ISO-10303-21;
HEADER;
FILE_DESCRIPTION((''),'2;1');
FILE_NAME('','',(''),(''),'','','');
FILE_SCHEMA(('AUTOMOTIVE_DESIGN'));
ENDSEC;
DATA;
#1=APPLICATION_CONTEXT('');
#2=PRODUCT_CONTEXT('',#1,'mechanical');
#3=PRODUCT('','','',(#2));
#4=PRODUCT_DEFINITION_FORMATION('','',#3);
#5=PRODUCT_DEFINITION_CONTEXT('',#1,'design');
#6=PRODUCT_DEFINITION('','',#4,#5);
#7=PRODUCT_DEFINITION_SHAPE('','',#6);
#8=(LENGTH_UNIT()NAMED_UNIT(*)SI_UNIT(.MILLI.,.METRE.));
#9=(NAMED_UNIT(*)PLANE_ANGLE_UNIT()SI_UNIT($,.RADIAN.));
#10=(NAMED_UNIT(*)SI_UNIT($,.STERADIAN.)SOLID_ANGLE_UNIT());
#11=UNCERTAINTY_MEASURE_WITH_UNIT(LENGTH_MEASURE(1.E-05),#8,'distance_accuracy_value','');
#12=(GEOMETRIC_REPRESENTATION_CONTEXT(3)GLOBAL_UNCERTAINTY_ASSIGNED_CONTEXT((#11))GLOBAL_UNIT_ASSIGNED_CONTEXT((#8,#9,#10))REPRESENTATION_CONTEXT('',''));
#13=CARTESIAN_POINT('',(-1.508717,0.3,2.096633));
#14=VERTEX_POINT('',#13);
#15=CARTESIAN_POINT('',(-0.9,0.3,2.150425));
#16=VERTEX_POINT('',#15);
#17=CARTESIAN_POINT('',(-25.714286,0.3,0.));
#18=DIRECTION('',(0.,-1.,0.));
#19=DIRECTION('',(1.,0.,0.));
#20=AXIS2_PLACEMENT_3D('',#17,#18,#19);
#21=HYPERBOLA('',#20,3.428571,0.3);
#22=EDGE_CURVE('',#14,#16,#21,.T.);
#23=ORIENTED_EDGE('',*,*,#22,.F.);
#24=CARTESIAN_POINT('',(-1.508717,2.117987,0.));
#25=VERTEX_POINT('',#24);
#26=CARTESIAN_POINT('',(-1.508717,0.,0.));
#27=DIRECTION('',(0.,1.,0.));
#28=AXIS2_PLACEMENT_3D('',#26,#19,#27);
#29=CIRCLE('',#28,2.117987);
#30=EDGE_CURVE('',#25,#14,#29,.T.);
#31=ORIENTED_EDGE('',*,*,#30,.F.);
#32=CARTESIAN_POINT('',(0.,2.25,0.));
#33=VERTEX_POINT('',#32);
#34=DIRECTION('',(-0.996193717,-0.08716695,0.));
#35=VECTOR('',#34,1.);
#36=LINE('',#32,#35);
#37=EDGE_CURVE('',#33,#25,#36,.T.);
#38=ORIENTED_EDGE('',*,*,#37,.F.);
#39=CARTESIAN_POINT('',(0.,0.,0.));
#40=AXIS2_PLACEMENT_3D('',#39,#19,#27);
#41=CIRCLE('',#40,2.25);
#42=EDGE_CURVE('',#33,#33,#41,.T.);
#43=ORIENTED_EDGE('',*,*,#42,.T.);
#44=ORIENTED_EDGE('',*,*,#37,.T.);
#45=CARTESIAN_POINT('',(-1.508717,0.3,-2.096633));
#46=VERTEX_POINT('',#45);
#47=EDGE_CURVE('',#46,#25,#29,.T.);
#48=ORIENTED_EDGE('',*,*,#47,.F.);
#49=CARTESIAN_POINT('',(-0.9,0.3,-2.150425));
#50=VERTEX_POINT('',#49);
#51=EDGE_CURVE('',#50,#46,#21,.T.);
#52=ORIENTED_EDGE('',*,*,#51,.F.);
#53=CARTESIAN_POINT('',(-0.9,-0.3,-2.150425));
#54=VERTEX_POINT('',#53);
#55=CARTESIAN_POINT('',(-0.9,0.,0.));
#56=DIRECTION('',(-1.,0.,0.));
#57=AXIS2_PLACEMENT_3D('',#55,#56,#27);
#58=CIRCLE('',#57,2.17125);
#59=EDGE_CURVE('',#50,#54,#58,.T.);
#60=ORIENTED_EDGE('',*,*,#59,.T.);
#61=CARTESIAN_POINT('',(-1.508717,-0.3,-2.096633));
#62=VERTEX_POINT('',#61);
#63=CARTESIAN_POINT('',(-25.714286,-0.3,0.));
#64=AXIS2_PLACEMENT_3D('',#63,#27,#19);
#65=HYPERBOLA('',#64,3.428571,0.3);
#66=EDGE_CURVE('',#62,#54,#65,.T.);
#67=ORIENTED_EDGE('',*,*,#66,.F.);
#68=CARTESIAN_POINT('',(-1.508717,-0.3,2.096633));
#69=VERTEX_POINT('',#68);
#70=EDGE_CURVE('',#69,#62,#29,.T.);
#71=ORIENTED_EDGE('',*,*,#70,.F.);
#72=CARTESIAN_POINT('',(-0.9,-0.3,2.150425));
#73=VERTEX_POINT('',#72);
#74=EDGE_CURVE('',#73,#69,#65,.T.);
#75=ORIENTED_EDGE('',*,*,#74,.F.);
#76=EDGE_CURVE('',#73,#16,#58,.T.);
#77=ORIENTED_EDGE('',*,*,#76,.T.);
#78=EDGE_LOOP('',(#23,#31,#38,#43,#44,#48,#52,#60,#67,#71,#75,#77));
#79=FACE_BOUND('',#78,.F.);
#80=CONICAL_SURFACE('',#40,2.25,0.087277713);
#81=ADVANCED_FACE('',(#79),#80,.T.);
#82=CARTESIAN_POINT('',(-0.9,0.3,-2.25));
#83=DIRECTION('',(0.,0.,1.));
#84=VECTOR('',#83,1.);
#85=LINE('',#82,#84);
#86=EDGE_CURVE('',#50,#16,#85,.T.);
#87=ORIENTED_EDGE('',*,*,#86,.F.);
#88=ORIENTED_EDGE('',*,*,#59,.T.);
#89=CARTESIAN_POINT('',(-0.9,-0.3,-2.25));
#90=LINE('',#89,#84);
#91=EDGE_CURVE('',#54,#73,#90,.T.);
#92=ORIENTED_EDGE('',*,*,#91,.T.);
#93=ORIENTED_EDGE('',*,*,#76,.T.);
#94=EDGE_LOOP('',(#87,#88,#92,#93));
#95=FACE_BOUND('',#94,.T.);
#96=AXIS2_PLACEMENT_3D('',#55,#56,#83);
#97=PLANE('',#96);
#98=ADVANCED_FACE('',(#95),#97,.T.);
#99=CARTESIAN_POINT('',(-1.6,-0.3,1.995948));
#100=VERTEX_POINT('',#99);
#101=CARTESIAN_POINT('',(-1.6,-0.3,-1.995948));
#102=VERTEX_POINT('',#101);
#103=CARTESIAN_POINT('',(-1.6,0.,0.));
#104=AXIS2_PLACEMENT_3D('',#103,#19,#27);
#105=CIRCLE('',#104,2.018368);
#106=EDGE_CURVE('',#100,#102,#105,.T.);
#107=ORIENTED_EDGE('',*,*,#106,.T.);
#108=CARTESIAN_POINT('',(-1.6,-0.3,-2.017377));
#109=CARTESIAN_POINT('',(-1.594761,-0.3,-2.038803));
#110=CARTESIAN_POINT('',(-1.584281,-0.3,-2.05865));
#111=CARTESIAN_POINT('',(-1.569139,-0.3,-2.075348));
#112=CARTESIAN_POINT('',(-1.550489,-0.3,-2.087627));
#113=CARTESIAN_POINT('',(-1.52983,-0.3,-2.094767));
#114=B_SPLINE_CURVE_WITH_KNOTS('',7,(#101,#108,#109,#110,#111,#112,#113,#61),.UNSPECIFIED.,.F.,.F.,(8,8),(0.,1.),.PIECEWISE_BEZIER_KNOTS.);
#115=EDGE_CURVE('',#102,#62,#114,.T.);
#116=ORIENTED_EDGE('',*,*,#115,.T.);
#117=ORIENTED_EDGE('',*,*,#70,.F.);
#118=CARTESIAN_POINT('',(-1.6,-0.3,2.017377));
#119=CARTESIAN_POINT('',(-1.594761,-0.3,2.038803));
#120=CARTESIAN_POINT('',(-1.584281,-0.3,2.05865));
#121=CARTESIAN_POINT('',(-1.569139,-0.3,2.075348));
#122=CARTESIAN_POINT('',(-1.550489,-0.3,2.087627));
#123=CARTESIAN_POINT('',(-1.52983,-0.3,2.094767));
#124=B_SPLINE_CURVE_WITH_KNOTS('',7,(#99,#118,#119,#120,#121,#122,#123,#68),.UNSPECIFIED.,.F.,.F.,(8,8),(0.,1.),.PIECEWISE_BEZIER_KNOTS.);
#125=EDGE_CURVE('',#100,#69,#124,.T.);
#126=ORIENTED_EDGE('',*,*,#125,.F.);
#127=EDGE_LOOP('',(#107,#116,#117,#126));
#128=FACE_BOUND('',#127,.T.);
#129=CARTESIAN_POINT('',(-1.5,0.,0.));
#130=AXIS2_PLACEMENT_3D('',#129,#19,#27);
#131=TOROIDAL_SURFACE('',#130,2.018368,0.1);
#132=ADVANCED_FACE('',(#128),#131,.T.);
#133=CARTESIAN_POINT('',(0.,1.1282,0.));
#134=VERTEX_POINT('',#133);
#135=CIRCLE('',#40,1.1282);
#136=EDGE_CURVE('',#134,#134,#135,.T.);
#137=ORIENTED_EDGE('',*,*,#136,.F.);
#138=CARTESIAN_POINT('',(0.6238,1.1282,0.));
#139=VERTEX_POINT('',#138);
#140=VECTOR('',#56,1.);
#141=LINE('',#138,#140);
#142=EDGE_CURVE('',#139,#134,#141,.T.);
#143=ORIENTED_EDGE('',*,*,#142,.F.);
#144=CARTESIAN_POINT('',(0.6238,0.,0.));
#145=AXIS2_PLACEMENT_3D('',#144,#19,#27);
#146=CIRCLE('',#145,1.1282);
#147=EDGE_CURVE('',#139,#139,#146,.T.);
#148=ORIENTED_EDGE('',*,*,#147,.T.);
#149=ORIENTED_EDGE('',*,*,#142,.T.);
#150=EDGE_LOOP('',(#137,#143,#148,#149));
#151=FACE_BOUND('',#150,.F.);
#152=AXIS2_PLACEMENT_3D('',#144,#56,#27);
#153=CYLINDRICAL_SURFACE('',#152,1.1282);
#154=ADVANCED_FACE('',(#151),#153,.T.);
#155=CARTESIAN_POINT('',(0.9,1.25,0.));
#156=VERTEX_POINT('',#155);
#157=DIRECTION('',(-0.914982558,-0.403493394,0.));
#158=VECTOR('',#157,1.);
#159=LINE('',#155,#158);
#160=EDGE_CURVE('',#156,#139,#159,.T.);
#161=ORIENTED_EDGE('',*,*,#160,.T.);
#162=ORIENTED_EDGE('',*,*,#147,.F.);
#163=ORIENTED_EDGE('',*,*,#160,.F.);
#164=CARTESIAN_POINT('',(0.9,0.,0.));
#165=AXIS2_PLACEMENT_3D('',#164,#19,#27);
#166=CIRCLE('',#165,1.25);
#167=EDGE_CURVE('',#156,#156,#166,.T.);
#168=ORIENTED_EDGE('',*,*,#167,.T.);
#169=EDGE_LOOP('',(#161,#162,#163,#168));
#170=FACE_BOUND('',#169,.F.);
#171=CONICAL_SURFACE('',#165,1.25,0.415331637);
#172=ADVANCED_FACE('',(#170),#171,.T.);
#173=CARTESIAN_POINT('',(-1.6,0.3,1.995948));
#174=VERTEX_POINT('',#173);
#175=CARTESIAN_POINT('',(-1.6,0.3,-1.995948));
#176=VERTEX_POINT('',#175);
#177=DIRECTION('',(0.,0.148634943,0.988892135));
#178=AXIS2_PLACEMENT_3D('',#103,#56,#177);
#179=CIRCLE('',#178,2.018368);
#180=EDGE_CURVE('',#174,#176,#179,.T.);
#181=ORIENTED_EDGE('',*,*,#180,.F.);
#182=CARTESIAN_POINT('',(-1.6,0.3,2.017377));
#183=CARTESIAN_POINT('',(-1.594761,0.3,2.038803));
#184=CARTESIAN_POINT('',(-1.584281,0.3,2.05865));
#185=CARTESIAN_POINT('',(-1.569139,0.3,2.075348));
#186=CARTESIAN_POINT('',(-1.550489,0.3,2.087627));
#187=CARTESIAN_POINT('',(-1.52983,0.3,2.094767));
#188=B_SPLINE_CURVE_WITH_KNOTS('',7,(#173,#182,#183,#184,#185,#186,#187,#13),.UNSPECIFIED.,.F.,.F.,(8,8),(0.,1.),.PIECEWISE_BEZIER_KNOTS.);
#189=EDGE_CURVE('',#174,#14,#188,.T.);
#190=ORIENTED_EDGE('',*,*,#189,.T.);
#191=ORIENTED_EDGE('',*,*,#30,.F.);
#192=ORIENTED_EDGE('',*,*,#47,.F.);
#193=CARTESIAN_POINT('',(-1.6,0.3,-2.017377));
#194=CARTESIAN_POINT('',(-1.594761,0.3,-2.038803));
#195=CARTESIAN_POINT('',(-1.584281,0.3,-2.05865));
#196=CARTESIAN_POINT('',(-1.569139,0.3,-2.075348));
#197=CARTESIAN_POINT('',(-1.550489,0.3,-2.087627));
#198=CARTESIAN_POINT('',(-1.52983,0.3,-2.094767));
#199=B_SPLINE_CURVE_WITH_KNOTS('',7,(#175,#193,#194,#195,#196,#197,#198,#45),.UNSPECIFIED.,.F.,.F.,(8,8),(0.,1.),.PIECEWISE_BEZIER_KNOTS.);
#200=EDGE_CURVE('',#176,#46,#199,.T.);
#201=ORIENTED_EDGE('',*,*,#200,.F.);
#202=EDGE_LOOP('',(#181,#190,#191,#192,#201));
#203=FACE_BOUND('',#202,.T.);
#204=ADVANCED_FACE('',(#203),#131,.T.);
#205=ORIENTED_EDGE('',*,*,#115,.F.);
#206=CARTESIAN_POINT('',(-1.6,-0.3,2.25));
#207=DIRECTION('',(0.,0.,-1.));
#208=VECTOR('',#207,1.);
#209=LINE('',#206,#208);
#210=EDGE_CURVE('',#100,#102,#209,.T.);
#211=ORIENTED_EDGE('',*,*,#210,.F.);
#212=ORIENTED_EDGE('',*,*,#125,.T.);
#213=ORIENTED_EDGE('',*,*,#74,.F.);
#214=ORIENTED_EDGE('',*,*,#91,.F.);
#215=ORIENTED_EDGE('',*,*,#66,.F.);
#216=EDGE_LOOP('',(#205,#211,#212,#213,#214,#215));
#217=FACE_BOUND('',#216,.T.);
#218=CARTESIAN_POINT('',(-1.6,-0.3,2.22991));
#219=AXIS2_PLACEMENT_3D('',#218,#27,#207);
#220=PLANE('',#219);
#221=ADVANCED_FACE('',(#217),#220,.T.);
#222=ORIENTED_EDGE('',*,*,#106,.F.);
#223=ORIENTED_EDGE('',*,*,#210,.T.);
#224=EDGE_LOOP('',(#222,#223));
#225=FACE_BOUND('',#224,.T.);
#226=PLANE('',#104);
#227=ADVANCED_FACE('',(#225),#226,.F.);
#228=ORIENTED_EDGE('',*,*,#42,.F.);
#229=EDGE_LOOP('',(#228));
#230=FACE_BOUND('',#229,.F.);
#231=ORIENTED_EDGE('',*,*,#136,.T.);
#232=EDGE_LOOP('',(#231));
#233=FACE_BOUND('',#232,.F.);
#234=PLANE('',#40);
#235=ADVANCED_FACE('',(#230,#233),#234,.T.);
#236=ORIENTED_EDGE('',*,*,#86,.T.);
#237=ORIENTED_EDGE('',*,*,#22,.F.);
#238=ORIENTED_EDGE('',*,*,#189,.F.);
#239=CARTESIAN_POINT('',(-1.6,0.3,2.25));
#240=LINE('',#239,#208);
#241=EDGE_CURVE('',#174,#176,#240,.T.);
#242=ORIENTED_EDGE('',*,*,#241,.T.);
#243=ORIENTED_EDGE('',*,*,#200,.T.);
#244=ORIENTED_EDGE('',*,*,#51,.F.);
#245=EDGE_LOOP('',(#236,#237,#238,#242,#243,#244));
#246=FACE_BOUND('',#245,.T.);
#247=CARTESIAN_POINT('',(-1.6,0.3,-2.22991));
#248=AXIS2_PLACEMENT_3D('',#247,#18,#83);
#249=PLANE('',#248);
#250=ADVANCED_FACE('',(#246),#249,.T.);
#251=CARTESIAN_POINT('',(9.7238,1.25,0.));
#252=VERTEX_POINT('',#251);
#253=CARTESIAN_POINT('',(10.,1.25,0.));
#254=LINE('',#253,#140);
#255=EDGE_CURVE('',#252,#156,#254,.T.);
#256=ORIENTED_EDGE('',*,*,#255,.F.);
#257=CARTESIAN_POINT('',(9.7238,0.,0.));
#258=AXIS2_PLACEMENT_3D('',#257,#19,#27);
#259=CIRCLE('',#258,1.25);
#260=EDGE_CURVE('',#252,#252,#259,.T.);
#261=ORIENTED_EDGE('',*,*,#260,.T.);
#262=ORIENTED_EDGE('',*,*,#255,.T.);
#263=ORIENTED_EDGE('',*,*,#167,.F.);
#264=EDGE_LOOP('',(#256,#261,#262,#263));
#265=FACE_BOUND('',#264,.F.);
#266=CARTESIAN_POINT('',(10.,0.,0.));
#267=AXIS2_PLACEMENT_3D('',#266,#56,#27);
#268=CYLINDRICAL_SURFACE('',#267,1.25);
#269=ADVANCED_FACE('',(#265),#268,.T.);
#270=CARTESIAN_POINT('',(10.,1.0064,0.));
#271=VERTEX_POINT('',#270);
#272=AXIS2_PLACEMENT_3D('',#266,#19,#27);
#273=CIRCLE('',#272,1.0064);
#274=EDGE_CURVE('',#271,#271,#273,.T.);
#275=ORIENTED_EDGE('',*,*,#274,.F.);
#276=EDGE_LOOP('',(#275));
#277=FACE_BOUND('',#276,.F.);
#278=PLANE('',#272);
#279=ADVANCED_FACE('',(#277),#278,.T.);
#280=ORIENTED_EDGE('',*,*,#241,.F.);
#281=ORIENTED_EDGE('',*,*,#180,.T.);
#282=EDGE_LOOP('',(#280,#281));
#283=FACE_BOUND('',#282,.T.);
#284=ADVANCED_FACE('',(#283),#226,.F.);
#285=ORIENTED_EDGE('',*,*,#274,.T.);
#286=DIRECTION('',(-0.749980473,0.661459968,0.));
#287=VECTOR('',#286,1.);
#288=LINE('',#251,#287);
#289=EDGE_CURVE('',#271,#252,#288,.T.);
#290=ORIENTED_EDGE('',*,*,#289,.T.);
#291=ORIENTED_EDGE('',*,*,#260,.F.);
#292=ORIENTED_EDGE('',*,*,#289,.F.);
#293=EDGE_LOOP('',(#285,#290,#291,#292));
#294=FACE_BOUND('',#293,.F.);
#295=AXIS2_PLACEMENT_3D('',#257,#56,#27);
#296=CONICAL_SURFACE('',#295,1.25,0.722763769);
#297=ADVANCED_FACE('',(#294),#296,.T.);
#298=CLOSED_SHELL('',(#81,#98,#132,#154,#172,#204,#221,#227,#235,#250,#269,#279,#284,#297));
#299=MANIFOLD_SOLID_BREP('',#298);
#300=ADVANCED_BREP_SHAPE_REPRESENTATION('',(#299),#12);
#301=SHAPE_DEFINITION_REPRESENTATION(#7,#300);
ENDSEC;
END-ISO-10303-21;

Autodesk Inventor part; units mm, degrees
ref_plane "YZ Plane" through (0, 0, 0) normal (1, 0, 0) x (0, 1, 0)
ref_plane "XZ Plane" through (0, 0, 0) normal (0, 1, 0) x (-1, 0, 0)
sketch "Sketch1" plane through (0, 0, 0) normal (0, 0, 1) x (1, 0, 0)
  line L0 (-1.6, 0) -> (10, 0)
  line L1 (10, 0) -> (10, 1.25)
  line L2 (10, 1.25) -> (0.9, 1.25)
  line L3 (0.9, 1.25) -> (0.6238, 1.1282)
  line L4 (0.6238, 1.1282) -> (0, 1.1282)
  line L5 (0, 1.1282) -> (0, 2.25)
  line L6 (-3.92, 0) -> (12.32, 0) projected
  line L7 (0, -0.45) -> (0, 2.7) projected
  line L8 (-1.6, 0) -> (-1.6, 2.11)
  line L9 (0, 2.25) -> (-1.6, 2.11)
  line L10 (0.9, 1.25) -> (0, 1.25) construction
  dimension "d0" = 10
  dimension "d1" = 9.1
  dimension "d2" = 0.2762
  dimension "d3" = 1.6
  dimension "d4" = 2.5
  dimension "d5" = 2.2564
  dimension "d9" = 4.5
  dimension "d10" = 5
revolve "Body" add sketch "Sketch1" angle 360 about axis through (-1.6, 0, 0) along (1, 0, 0)
sketch "Sketch2" plane through (-1.6, 0, 0) normal (-1, 0, 0) x (0, 0, 1)
  circle A0 centre (0, 0) radius 2.25 projected
  line L0 (0, 0) -> (0, 2.11) projected
  line L1 (-2.25, 0.3) -> (2.25, 0.3)
  line L2 (2.25, 0.3) -> (2.25, -0.3)
  line L3 (2.25, -0.3) -> (-2.25, -0.3)
  line L4 (-2.25, -0.3) -> (-2.25, 0.3)
  line L5 (-2.25, 0) -> (2.25, 0) construction
  line L6 (0, 0.3) -> (0, -0.3) construction
  dimension "d11" = 0.6
  dimension "d12" = 4.5
fillet "Fillet1" radius 0.1 1 edges at (-1.6, -2.11, 0)
extrude "Slot" cut sketch "Sketch2" against normal blind 0.7 contours A0 L3 L1 | L2 L3 A0 | A0 L1 L2 | A0 L4 L1 | L3 L4 A0
thread "Thread" size "M2.5x0.45" class "6g" standard "ISO Metric profile" length 9.1
chamfer "Chamfer1" distance 0.2436 distance2 0.2762 1 edges at (10, -1.25, 0) measured on face at (10, 0.1139, 0.3003)
ref_plane "Work Plane1" through (30.1625, 0, 0) normal (0, 0, -1) x (1, 0, 0)
equation "\"d11\" = SBR"
equation "\"d12\" = KOD"
equation "\"d14\" = RR"
equation "\"d19\" = STI"
equation "\"d15\" = GEL"
equation "\"d17\" = -0.5 * SPD + 0.5 * GD"
equation "\"d0\" = NLG"
equation "\"d1\" = GEL"
equation "\"d3\" = KOH"
equation "\"d4\" = GD"
equation "\"d5\" = BDM"
equation "\"d9\" = KOD"
equation "\"d10\" = KEWI"
equation "\"GD\" = 2.5"
equation "\"NLG\" = 10"
equation "\"GEL\" = 9.1"
equation "\"KOD\" = 4.5"
equation "\"KOH\" = 1.6"
equation "\"GAL\" = 0.61345 * PTC"
equation "\"SPD\" = 2.01286"
equation "\"BDM\" = 2.25643"
equation "\"GUL\" = 0.61345 * PTC"
equation "\"RR\" = 0.1"
equation "\"SBR\" = 0.6"
equation "\"STI\" = 0.7"
equation "\"KEWI\" = 5deg"
equation "\"PTC\" = 0.45"
equation "\"THREADDIA\" = 2.5"
equation "\"TOA\" = 30deg"
equation "\"NND\" = 2.5"
equation "\"GD1\" = THREADDIA - 1.2269 * PTC"
properties part number "DIN 84 - M2.5 x 10" material "Steel, Mild"
